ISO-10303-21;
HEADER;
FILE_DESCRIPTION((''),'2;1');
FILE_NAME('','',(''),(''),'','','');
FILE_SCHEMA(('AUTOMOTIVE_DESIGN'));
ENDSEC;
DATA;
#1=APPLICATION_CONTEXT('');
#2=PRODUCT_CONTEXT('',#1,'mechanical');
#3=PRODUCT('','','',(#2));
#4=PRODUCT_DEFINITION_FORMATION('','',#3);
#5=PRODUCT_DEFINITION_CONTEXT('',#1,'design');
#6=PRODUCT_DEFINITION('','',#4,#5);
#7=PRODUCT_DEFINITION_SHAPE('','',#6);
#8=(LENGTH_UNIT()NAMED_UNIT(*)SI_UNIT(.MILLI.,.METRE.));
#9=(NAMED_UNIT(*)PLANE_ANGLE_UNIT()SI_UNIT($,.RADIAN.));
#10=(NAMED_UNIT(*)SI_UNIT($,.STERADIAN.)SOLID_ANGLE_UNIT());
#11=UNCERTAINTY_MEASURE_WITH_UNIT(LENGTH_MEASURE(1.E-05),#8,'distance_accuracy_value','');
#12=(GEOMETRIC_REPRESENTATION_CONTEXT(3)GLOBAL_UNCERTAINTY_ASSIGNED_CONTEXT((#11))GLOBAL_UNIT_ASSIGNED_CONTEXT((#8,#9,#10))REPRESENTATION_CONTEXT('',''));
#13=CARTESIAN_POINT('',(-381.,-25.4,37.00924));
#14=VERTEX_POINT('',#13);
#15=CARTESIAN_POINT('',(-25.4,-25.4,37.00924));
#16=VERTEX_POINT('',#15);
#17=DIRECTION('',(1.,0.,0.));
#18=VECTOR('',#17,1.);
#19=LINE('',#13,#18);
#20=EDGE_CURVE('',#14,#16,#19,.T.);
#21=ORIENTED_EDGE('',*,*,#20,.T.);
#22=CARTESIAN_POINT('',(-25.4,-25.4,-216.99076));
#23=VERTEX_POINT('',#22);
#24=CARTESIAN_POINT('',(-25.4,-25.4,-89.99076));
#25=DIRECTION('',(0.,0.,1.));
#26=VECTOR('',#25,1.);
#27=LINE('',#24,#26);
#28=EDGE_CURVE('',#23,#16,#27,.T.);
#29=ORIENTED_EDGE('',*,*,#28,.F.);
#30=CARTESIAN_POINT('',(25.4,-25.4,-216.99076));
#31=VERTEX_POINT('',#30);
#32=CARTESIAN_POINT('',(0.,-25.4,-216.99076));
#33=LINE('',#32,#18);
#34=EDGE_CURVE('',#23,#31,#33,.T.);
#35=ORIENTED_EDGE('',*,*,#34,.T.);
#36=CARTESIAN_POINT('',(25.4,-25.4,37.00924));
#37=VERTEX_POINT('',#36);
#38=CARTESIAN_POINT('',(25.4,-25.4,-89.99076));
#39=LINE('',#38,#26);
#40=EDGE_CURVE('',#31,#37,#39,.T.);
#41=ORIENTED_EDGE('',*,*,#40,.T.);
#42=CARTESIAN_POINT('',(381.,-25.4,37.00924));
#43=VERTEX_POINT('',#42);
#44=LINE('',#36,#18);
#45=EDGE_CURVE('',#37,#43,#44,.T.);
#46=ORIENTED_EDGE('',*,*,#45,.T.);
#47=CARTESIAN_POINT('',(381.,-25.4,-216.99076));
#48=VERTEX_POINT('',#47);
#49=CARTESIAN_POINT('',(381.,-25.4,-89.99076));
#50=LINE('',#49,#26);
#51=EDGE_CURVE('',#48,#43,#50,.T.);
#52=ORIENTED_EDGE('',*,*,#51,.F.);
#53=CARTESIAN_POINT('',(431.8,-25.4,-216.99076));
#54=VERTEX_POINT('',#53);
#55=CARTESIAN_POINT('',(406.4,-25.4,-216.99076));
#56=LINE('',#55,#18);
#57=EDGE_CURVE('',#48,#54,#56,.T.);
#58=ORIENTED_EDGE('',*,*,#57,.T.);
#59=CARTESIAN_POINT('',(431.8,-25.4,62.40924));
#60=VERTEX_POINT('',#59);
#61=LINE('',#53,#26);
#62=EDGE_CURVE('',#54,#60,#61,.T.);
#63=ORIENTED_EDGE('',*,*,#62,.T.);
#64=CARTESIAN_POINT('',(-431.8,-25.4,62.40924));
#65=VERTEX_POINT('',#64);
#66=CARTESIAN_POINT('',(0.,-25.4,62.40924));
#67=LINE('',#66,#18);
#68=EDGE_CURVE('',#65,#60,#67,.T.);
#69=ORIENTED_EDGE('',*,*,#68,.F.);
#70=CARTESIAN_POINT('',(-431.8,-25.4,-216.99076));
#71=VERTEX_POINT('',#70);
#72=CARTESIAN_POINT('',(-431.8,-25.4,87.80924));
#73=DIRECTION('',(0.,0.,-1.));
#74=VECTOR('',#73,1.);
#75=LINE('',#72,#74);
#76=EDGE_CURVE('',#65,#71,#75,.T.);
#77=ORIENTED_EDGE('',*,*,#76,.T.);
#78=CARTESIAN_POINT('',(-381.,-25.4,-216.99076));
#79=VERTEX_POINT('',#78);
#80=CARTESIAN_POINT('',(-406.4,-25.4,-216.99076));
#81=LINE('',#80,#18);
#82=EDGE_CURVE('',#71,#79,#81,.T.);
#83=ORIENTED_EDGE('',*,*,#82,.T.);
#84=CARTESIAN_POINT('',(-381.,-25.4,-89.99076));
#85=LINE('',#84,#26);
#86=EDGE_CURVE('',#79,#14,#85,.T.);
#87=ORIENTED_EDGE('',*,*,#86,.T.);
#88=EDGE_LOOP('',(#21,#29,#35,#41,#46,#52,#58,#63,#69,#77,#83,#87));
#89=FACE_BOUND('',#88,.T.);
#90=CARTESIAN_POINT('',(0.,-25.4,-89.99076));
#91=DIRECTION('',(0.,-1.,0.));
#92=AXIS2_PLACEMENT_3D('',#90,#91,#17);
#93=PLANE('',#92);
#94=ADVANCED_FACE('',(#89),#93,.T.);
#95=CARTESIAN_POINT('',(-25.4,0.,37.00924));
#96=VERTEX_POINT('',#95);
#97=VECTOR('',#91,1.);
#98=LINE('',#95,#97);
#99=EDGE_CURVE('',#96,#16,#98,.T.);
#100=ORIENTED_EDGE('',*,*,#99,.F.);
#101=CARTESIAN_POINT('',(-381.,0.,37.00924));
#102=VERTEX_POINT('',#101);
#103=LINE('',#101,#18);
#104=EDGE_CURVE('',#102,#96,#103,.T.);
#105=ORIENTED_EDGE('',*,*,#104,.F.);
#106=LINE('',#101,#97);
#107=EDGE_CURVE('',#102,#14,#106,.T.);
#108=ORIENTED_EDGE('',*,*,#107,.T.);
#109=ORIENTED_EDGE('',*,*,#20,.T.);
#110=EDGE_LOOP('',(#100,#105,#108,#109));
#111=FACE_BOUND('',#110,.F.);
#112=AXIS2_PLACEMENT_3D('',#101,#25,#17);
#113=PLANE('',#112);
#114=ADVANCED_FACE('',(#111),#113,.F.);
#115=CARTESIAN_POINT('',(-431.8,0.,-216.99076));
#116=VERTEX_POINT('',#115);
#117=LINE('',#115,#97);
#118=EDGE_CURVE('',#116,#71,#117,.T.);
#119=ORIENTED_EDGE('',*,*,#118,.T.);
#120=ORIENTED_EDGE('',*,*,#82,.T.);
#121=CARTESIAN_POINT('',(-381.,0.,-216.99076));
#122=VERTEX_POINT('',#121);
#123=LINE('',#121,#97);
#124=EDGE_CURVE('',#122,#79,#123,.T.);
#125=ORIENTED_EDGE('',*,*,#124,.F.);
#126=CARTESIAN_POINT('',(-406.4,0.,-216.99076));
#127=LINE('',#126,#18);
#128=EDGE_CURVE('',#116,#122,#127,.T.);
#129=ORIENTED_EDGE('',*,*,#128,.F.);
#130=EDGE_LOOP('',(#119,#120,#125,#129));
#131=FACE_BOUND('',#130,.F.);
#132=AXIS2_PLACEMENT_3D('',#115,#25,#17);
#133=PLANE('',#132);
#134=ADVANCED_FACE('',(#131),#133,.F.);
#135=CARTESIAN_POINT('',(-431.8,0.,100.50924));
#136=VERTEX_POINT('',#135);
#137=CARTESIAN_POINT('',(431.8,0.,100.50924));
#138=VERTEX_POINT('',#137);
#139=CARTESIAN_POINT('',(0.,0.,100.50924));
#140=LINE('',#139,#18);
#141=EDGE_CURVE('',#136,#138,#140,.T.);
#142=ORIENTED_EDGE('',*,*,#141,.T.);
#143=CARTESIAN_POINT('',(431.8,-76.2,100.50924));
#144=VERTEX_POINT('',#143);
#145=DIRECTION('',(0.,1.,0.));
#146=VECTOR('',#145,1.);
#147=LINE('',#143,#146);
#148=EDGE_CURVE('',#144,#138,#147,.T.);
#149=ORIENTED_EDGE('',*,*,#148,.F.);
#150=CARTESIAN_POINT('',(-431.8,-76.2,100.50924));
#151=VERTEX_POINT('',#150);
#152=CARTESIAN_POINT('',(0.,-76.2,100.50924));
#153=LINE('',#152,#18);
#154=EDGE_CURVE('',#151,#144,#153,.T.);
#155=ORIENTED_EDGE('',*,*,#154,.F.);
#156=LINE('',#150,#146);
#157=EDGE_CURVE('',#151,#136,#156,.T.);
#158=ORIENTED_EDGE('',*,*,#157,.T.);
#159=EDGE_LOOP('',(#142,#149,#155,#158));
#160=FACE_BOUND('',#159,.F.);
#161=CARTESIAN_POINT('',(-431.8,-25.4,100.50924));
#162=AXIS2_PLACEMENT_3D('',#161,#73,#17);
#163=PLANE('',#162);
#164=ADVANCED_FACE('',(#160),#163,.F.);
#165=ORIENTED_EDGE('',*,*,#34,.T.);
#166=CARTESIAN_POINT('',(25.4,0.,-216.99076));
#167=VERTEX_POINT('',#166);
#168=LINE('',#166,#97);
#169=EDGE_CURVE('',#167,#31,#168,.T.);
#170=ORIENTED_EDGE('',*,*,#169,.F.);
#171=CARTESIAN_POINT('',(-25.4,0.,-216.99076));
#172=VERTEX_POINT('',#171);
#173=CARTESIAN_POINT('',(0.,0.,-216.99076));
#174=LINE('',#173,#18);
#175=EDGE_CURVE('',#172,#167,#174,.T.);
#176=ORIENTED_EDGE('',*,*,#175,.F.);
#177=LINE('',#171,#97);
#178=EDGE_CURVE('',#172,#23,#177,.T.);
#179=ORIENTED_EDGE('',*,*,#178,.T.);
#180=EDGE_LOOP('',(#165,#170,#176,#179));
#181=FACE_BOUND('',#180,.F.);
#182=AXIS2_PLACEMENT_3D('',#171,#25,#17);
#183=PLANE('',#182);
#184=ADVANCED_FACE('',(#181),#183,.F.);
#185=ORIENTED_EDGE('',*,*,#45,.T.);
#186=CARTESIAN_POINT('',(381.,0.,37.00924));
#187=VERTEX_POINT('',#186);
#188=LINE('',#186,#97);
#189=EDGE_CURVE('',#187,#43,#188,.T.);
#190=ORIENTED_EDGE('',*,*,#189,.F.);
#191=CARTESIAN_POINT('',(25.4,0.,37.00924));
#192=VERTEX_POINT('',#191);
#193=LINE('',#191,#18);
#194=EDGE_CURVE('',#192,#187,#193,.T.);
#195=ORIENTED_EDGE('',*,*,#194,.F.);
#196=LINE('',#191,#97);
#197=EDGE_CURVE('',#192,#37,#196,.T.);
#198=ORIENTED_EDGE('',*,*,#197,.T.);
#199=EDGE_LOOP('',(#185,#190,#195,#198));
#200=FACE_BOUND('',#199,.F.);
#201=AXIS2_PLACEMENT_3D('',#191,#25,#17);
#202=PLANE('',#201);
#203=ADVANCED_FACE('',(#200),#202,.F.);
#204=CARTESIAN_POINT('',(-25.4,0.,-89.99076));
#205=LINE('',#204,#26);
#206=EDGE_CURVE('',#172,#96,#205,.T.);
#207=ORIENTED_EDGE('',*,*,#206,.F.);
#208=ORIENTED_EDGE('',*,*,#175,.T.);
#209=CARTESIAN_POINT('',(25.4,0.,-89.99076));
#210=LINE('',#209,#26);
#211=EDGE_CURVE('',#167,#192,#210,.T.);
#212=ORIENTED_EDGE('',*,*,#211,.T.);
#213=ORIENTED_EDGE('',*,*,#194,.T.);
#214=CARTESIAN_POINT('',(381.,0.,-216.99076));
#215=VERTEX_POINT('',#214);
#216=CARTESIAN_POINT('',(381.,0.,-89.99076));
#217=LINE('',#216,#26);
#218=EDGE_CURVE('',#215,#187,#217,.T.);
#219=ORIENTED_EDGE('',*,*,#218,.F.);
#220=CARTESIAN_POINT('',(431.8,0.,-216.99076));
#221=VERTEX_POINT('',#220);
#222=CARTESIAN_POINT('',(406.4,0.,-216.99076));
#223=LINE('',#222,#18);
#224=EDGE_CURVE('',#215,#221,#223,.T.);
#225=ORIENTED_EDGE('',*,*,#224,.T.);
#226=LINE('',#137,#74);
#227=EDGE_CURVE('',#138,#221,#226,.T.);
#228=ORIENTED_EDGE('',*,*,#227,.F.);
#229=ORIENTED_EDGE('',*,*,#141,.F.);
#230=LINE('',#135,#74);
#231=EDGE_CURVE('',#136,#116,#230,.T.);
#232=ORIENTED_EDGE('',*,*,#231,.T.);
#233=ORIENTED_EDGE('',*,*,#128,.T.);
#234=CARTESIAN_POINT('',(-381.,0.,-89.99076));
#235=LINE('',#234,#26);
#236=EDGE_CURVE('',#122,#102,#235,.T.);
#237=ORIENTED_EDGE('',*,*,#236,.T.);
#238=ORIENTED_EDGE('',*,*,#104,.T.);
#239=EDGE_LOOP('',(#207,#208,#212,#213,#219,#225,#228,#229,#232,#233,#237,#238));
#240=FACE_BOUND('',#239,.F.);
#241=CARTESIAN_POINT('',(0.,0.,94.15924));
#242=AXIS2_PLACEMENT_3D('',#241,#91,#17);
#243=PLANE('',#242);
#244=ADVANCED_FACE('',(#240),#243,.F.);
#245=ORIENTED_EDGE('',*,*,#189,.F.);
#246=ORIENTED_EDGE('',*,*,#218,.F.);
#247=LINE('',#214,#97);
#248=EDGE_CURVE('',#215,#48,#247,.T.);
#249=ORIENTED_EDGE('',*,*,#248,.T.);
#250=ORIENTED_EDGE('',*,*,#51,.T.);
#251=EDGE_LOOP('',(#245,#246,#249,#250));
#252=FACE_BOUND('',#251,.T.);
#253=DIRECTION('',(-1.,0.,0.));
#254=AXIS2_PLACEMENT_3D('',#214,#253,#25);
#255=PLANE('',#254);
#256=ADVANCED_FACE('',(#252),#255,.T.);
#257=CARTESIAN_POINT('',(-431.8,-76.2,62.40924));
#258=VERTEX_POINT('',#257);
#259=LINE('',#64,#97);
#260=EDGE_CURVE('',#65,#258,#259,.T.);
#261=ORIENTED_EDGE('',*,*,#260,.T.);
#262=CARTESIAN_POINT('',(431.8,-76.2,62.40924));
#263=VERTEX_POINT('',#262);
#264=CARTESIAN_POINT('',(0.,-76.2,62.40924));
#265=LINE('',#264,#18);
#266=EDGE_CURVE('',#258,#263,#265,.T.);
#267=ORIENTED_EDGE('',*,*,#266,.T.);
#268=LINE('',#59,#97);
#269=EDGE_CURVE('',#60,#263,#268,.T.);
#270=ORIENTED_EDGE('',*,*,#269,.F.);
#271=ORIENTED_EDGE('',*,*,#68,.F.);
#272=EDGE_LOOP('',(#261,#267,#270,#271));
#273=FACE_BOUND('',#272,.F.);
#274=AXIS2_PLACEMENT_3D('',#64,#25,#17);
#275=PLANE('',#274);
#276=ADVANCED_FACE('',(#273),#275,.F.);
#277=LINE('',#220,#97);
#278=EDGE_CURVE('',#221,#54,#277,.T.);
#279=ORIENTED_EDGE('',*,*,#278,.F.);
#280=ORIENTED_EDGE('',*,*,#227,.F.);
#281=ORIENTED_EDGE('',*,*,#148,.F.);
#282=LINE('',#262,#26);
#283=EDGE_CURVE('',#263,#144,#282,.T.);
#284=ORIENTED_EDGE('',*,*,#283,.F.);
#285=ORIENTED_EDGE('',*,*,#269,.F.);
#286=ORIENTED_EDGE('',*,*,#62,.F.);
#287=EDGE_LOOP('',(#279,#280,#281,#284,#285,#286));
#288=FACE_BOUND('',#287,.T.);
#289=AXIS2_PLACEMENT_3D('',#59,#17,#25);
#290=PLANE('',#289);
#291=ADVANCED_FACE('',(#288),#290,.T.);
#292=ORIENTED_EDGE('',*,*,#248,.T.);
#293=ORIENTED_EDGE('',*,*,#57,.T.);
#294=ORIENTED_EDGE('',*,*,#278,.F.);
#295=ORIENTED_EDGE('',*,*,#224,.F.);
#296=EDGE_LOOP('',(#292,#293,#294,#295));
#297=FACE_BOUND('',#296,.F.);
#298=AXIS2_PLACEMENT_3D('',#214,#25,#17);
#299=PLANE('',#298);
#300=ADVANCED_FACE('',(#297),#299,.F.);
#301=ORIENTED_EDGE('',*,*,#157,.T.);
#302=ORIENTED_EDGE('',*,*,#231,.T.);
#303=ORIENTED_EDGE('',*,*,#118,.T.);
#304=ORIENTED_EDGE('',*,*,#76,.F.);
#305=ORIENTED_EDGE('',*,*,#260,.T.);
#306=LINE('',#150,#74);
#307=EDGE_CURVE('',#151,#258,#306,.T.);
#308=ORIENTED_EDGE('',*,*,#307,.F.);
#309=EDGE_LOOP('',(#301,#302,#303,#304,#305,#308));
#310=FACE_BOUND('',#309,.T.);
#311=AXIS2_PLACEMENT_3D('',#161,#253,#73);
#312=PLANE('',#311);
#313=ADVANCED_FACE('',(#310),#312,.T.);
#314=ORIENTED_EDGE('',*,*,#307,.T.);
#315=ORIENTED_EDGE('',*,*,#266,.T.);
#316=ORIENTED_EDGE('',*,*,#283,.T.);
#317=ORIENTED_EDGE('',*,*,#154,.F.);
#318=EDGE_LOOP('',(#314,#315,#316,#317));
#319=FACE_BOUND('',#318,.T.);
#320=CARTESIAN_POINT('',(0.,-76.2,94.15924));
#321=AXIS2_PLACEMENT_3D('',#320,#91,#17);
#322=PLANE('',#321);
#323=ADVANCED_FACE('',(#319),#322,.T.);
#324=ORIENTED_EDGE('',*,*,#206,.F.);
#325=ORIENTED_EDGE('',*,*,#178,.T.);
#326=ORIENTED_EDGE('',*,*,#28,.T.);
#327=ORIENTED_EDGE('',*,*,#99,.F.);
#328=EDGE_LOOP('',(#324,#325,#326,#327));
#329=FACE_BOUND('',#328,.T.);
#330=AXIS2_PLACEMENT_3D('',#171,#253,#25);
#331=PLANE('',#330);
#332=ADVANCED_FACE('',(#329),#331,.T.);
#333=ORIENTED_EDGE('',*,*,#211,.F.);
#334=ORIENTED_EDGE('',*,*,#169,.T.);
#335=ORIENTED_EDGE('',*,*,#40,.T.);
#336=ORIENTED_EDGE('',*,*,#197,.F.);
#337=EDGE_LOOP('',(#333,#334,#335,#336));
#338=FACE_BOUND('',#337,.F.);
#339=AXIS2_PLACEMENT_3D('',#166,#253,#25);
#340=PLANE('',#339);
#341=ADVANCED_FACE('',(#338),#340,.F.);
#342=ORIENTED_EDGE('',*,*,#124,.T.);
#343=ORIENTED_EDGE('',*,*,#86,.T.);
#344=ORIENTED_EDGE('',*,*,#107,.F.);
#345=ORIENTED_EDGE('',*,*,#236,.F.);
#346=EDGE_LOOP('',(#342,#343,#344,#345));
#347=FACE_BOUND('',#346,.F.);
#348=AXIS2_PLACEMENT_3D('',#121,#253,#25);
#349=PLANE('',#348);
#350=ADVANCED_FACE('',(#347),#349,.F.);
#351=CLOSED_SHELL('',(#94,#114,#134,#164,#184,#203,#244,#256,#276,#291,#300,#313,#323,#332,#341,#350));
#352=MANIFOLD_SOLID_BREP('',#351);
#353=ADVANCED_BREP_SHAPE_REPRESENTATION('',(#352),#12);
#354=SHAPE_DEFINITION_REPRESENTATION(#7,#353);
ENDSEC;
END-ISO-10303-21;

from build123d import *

# Parameters (mm, degrees)
F0_W          = 50.8
F0_H          = 254
F0_H_2        = 50.8
F1_DEPTH      = 25.4
F2_W          = 863.6
F2_H          = 12.7
F2_H_2        = 25.4
F3_DEPTH      = 50.8
F3_DEPTH_BACK = 25.4


with BuildPart() as f1:
    # F0 (on Front) → F1 (new body)
    with BuildSketch(Plane.XZ):
        with Locations((0, -89.99076)):
            Rectangle(F0_W, F0_H)
        Polygon((-25.4, 37.00924), (25.4, 37.00924), (381, 37.00924), (381, 87.80924), (-381, 87.80924), (-381, 37.00924), align=None)
        with Locations((406.4, 62.40924)):
            Rectangle(F0_W, F0_H_2)
        with Locations((406.4, -89.99076)):
            Rectangle(F0_W, F0_H)
        with Locations((-406.4, -89.99076)):
            Rectangle(F0_W, F0_H)
        with Locations((-406.4, 62.40924)):
            Rectangle(F0_W, F0_H_2)
    extrude(amount=F1_DEPTH)

    # F2 (on face) → F3 (join, two sides)
    with BuildSketch(Plane.XZ.offset(25.4)) as f3_sk:
        with Locations((0, 94.15924)):
            Rectangle(F2_W, F2_H)
        with Locations((0, 75.10924)):
            Rectangle(F2_W, F2_H_2)
    extrude(amount=F3_DEPTH)
    extrude(f3_sk.sketch, amount=-F3_DEPTH_BACK)


solid = f1.part
